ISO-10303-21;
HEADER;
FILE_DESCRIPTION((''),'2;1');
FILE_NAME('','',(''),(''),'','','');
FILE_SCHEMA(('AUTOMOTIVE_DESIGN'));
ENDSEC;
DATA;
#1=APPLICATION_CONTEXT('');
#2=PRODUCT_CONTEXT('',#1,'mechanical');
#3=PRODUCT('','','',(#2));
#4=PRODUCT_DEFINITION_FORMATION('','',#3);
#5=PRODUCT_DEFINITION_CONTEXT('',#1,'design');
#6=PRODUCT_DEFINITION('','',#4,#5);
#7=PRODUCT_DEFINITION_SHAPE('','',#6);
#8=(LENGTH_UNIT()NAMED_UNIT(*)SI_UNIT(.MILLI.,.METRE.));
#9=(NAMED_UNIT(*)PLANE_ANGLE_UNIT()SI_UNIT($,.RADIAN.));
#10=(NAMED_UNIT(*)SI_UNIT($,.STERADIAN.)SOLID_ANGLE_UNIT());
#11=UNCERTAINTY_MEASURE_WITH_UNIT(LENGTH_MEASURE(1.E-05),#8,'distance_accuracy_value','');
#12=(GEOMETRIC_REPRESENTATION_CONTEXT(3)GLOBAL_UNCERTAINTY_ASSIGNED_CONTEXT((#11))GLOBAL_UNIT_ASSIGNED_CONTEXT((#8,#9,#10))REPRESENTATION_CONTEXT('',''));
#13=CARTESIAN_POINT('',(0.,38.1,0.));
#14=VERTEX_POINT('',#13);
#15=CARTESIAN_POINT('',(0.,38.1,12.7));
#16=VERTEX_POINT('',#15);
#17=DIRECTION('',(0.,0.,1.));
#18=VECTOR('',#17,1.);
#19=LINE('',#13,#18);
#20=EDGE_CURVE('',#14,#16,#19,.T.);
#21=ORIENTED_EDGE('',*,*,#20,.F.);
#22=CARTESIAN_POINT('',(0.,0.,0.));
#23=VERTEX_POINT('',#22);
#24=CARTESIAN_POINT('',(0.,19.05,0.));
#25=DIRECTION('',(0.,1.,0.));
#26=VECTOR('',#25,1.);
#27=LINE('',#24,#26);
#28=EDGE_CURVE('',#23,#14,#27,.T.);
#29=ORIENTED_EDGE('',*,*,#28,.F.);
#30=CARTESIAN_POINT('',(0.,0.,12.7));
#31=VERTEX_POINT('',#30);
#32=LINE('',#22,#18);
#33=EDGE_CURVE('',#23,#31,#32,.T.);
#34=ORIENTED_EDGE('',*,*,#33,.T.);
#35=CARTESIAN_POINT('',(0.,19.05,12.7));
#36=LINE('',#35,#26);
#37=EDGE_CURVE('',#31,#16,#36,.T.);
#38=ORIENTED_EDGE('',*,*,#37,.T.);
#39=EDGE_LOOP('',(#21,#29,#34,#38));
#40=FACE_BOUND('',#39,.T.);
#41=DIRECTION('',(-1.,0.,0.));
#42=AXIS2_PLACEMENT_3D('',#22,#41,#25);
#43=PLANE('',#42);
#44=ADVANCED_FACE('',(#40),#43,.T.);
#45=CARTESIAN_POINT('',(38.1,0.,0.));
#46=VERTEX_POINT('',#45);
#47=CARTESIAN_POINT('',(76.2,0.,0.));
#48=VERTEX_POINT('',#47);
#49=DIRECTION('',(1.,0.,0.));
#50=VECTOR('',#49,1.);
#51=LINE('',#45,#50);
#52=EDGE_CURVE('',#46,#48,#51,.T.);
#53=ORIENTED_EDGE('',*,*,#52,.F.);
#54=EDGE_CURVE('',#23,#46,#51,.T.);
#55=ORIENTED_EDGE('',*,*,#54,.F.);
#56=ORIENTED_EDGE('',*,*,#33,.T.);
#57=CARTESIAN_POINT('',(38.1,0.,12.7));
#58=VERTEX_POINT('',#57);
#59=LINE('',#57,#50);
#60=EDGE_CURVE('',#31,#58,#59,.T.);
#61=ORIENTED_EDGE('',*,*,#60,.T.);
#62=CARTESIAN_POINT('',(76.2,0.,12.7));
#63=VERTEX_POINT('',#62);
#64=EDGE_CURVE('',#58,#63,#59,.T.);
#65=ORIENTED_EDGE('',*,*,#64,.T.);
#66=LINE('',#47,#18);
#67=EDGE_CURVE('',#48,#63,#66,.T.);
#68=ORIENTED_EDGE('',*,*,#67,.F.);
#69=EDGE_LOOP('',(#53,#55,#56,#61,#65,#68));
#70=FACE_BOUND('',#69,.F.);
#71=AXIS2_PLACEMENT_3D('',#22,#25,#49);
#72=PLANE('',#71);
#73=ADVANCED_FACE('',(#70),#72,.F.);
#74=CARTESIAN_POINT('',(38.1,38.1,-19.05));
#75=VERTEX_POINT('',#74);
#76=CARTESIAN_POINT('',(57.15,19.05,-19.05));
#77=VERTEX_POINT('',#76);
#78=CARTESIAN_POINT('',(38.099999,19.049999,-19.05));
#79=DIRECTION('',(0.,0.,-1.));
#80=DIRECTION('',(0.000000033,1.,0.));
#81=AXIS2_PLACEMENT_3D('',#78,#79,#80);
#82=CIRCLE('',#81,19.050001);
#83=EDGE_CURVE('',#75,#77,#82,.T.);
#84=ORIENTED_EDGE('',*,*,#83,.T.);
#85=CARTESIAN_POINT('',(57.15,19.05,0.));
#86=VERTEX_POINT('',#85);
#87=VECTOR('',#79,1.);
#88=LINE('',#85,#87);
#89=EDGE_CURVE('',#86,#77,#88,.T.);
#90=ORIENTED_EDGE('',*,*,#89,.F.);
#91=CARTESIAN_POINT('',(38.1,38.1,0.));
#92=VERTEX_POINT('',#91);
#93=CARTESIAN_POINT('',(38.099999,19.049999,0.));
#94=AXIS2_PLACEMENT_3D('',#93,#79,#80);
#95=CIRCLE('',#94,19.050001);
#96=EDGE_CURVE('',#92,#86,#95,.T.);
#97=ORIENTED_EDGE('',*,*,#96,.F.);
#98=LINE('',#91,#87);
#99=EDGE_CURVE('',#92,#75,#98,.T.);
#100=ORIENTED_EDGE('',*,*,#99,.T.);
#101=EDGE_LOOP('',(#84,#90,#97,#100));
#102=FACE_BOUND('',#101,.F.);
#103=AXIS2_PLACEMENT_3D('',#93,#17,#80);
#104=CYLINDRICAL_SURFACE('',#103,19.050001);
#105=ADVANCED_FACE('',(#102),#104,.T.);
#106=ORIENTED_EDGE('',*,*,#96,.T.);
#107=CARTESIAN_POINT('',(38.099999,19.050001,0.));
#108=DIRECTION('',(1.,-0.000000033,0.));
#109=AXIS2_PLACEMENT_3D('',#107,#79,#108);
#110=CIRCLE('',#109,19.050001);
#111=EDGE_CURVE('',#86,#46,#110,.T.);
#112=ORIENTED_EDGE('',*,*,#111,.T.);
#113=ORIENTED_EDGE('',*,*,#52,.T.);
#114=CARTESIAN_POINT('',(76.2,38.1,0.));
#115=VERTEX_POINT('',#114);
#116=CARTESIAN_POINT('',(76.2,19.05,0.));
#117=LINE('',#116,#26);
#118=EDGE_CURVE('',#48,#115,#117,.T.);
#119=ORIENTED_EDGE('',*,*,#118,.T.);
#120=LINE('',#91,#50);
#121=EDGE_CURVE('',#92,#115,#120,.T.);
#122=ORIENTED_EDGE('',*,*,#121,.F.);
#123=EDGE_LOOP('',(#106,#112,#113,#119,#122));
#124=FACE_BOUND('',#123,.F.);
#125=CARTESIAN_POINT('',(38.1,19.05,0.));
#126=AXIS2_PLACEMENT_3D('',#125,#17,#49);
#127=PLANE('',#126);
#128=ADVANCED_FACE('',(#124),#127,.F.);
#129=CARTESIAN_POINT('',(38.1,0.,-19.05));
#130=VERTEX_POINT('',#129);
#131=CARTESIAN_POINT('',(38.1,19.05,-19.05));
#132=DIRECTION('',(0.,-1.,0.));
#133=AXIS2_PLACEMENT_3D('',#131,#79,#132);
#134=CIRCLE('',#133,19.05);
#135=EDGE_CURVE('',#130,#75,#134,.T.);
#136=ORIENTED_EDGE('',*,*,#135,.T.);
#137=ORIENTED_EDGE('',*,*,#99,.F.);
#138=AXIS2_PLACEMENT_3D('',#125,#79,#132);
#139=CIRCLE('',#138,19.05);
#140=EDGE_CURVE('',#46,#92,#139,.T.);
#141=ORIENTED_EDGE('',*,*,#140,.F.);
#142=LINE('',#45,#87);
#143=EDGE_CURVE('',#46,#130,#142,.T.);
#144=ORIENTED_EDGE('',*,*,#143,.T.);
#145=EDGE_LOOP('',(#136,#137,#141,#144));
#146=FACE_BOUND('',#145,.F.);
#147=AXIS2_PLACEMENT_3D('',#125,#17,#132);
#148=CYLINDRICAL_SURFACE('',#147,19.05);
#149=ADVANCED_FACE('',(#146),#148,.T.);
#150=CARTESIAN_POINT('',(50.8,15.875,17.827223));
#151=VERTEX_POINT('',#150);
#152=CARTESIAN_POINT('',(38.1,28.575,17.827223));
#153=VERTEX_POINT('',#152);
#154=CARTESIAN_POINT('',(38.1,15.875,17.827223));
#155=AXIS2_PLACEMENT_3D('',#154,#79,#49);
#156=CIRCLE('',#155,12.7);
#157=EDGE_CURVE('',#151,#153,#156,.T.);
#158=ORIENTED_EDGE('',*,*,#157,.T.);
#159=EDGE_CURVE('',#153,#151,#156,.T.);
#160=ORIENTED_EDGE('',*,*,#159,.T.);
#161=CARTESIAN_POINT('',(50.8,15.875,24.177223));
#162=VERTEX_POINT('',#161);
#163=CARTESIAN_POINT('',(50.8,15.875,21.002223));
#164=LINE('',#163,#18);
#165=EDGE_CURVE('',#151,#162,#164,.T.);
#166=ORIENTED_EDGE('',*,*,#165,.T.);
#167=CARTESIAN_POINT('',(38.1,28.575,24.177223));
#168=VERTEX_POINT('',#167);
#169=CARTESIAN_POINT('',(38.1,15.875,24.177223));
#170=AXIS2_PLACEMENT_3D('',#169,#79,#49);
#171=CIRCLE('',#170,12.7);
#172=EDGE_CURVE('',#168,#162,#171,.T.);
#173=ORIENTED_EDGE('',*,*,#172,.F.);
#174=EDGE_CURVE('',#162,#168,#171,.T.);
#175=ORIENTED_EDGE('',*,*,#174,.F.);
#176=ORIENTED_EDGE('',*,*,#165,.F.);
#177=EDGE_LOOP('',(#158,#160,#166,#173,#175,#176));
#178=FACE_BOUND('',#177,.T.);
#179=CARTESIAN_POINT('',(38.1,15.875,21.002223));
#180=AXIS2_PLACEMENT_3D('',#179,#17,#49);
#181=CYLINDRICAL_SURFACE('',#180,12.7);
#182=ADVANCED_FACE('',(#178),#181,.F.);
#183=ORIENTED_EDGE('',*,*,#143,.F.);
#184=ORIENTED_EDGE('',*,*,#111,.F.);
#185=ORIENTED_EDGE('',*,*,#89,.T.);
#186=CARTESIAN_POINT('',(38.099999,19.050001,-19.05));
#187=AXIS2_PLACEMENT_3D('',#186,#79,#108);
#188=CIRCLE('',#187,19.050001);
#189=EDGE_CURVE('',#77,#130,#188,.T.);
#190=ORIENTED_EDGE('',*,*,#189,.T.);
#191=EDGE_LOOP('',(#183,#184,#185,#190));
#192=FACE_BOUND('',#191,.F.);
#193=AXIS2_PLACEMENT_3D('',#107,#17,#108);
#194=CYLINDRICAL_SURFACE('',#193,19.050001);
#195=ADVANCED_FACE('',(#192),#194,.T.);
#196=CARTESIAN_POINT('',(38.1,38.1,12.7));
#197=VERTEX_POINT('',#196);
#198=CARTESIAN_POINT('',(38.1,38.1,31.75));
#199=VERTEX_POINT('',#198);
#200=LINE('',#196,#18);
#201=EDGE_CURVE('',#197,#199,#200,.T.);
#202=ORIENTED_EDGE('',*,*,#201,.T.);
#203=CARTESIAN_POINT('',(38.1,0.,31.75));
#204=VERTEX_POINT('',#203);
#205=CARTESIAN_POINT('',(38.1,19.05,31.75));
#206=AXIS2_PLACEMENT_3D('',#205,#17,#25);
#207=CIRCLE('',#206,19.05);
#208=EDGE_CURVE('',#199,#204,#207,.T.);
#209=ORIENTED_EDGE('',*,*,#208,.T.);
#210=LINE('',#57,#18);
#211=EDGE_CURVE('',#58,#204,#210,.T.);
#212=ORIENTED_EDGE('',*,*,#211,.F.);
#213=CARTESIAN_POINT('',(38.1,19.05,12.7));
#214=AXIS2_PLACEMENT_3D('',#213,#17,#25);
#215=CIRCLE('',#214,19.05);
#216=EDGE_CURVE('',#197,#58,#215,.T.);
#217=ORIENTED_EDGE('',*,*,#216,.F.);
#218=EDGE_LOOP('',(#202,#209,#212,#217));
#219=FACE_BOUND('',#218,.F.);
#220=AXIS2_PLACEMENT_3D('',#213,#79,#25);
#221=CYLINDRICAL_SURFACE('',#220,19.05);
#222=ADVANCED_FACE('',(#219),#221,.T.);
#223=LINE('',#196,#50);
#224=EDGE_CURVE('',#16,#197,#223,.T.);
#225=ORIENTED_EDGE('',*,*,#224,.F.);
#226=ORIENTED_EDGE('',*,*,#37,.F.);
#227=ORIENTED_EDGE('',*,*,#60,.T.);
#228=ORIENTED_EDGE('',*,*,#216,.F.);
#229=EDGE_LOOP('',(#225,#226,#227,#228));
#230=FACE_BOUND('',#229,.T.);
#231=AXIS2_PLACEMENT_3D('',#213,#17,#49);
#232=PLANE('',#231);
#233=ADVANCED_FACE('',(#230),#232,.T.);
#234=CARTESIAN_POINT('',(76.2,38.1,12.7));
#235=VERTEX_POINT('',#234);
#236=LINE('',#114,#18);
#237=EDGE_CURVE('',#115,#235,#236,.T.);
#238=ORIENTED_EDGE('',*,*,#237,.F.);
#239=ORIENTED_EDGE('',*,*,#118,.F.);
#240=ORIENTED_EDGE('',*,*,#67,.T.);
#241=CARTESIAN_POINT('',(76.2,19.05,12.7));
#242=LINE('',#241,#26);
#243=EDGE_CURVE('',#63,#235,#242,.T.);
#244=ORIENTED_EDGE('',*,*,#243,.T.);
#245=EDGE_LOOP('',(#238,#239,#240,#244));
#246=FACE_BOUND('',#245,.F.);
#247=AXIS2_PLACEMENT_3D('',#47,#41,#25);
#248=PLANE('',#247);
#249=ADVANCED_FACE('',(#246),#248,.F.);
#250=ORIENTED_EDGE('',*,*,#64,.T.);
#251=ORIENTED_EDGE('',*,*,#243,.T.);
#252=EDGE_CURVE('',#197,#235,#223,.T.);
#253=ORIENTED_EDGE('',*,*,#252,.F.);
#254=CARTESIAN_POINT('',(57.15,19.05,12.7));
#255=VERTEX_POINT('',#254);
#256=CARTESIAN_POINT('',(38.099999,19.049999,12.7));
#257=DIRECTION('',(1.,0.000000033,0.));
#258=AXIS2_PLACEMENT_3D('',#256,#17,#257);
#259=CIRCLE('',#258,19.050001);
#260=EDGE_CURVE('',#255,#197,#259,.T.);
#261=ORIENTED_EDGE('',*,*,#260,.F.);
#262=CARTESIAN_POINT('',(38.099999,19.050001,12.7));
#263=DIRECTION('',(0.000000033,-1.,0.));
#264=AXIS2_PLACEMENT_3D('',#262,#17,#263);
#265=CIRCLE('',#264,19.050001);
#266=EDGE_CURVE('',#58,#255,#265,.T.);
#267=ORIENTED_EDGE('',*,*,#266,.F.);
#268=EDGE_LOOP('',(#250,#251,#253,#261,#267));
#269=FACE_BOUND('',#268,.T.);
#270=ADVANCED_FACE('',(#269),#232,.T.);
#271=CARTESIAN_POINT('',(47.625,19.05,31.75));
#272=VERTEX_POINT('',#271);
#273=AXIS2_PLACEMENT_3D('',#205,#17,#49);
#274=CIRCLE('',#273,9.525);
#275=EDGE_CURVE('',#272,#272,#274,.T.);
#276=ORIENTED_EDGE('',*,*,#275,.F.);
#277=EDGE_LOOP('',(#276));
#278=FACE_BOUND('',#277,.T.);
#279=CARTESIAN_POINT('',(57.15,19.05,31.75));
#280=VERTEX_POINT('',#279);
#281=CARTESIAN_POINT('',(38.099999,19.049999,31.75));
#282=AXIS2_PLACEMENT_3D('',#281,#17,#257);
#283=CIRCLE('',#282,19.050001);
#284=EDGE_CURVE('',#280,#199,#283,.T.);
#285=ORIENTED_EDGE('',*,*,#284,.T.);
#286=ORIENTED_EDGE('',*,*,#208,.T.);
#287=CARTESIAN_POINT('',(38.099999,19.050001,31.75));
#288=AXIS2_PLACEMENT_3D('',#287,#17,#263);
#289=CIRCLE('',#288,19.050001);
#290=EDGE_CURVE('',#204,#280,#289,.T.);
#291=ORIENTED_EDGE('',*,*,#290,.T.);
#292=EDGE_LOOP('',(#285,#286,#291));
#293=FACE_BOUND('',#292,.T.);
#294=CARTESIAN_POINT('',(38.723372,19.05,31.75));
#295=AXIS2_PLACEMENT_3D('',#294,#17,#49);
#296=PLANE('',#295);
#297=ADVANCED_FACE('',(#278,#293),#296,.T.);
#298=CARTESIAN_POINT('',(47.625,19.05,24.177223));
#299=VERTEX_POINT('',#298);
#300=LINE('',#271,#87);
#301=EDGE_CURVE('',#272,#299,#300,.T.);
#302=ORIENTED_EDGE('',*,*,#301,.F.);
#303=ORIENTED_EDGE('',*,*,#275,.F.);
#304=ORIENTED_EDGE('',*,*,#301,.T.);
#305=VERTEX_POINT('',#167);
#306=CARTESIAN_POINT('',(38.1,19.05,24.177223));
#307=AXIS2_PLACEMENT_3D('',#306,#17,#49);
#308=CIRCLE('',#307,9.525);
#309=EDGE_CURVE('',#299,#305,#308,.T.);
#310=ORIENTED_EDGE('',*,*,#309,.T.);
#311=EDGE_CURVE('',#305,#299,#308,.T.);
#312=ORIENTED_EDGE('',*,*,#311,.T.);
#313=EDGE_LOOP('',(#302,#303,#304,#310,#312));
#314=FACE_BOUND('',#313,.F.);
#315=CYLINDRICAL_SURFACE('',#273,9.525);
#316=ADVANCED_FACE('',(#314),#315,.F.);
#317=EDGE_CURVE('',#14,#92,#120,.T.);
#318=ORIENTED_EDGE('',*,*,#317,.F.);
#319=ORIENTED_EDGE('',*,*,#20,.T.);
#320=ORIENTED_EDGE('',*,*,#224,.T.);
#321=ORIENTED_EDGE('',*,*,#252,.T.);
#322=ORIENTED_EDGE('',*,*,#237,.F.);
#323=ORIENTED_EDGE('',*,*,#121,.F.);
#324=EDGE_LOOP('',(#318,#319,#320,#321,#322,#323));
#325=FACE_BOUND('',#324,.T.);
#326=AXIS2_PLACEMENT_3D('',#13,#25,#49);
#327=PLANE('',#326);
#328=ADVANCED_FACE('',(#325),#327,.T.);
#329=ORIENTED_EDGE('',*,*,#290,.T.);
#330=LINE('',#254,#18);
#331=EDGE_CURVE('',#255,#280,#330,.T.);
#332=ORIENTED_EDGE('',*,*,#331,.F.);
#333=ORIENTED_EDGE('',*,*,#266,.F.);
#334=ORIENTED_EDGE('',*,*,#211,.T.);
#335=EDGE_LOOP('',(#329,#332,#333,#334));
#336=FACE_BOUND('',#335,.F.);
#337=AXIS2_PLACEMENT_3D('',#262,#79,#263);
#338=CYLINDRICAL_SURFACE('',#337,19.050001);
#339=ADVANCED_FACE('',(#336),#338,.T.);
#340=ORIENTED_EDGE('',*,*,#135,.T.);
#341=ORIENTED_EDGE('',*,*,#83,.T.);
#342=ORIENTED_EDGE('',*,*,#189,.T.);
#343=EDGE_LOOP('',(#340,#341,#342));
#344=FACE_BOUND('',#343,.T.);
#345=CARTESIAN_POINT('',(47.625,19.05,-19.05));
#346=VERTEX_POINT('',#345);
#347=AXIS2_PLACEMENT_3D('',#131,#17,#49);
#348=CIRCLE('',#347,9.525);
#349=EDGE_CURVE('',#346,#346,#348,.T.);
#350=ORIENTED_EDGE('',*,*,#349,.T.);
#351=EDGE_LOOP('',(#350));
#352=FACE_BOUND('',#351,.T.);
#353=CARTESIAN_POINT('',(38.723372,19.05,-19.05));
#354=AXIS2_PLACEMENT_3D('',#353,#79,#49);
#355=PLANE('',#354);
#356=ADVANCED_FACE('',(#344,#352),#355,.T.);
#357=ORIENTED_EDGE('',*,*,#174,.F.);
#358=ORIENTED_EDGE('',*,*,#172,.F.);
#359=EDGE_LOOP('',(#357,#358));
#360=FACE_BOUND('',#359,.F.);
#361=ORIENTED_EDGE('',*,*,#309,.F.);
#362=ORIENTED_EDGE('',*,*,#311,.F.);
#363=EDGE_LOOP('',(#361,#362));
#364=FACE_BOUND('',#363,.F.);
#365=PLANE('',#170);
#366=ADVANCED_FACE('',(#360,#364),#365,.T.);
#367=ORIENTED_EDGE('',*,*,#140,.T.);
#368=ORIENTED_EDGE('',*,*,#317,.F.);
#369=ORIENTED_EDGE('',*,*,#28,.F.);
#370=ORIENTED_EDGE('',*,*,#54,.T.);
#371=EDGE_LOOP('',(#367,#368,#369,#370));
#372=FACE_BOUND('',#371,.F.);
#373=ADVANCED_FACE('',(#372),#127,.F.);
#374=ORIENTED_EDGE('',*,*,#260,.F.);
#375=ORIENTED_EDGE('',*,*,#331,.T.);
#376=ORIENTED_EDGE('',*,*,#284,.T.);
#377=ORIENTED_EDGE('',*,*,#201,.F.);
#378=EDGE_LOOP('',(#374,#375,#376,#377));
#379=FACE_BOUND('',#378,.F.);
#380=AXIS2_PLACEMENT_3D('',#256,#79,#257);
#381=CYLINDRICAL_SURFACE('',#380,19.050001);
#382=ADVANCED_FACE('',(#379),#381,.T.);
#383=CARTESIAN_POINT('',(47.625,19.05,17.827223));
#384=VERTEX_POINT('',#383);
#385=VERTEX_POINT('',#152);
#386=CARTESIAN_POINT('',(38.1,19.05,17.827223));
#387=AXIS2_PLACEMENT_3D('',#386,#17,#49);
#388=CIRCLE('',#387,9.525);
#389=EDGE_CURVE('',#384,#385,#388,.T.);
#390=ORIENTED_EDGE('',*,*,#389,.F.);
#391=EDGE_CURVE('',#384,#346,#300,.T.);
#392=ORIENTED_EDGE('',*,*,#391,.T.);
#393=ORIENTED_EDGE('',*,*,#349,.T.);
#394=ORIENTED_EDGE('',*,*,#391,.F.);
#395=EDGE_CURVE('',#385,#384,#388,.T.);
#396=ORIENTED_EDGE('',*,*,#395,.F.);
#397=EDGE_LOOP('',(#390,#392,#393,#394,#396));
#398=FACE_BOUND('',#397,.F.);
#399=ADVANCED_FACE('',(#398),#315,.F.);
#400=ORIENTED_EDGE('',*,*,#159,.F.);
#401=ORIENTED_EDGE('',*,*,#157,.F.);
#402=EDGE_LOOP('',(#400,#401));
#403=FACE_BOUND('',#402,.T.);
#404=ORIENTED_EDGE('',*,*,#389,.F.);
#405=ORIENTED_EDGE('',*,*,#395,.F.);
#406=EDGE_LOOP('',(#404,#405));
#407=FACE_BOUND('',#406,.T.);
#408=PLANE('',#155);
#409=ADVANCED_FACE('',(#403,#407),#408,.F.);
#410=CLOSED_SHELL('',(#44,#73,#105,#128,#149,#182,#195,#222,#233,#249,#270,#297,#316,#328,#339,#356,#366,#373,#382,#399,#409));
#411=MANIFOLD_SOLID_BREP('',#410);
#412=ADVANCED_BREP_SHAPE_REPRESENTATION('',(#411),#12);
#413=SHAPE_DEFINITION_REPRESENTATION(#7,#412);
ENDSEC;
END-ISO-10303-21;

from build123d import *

# Parameters (mm, degrees)
F0_W     = 76.2
F0_H     = 38.1
F1_DEPTH = 12.7
F3_DEPTH = 19.05
F5_DEPTH = 19.05
F7_R     = 9.525
F8_DEPTH = 50.801
F9_W     = 12.7
F9_H     = 6.35


with BuildPart() as f1:
    # F0 (on Top) → F1 (new body)
    with BuildSketch(Plane.XY):
        with Locations((38.1, 19.05)):
            Rectangle(F0_W, F0_H)
    extrude(amount=F1_DEPTH)

    # F2 (on face) → F3 (join)
    with BuildSketch(Plane.XY.offset(12.7)):
        with BuildLine():
            ThreePointArc((38.1, 0), (51.570384, 5.579616), (57.15, 19.05))
            ThreePointArc((57.15, 19.05), (51.570384, 32.520384), (38.1, 38.1))
            ThreePointArc((38.1, 38.1), (19.05, 19.05), (38.1, 0))
        make_face()
    extrude(amount=F3_DEPTH)

    # F4 (on face) → F5 (join)
    with BuildSketch(Plane(origin=(0, 0, 0), x_dir=(1, 0, 0), z_dir=(0, 0, -1))):
        with BuildLine():
            ThreePointArc((38.1, -38.1), (51.570384, -32.520384), (57.15, -19.05))
            ThreePointArc((57.15, -19.05), (51.570384, -5.579616), (38.1, 0))
            ThreePointArc((38.1, 0), (19.05, -19.05), (38.1, -38.1))
        make_face()
    extrude(amount=F5_DEPTH)

    # F7 (on face) → F8 (cut, through all)
    with BuildSketch(Plane.XY.offset(31.75)):
        with Locations((38.1, 19.05)):
            Circle(F7_R)
    extrude(amount=-F8_DEPTH, mode=Mode.SUBTRACT)

    # F9 (on offset) → F10 (revolve, cut)
    with BuildSketch(Plane.XZ.offset(-15.875)):
        with Locations((44.45, 21.002223)):
            Rectangle(F9_W, F9_H)
    revolve(axis=Axis((38.1, 15.875, 19.273669), (0, 0, -1)), mode=Mode.SUBTRACT)


solid = f1.part
